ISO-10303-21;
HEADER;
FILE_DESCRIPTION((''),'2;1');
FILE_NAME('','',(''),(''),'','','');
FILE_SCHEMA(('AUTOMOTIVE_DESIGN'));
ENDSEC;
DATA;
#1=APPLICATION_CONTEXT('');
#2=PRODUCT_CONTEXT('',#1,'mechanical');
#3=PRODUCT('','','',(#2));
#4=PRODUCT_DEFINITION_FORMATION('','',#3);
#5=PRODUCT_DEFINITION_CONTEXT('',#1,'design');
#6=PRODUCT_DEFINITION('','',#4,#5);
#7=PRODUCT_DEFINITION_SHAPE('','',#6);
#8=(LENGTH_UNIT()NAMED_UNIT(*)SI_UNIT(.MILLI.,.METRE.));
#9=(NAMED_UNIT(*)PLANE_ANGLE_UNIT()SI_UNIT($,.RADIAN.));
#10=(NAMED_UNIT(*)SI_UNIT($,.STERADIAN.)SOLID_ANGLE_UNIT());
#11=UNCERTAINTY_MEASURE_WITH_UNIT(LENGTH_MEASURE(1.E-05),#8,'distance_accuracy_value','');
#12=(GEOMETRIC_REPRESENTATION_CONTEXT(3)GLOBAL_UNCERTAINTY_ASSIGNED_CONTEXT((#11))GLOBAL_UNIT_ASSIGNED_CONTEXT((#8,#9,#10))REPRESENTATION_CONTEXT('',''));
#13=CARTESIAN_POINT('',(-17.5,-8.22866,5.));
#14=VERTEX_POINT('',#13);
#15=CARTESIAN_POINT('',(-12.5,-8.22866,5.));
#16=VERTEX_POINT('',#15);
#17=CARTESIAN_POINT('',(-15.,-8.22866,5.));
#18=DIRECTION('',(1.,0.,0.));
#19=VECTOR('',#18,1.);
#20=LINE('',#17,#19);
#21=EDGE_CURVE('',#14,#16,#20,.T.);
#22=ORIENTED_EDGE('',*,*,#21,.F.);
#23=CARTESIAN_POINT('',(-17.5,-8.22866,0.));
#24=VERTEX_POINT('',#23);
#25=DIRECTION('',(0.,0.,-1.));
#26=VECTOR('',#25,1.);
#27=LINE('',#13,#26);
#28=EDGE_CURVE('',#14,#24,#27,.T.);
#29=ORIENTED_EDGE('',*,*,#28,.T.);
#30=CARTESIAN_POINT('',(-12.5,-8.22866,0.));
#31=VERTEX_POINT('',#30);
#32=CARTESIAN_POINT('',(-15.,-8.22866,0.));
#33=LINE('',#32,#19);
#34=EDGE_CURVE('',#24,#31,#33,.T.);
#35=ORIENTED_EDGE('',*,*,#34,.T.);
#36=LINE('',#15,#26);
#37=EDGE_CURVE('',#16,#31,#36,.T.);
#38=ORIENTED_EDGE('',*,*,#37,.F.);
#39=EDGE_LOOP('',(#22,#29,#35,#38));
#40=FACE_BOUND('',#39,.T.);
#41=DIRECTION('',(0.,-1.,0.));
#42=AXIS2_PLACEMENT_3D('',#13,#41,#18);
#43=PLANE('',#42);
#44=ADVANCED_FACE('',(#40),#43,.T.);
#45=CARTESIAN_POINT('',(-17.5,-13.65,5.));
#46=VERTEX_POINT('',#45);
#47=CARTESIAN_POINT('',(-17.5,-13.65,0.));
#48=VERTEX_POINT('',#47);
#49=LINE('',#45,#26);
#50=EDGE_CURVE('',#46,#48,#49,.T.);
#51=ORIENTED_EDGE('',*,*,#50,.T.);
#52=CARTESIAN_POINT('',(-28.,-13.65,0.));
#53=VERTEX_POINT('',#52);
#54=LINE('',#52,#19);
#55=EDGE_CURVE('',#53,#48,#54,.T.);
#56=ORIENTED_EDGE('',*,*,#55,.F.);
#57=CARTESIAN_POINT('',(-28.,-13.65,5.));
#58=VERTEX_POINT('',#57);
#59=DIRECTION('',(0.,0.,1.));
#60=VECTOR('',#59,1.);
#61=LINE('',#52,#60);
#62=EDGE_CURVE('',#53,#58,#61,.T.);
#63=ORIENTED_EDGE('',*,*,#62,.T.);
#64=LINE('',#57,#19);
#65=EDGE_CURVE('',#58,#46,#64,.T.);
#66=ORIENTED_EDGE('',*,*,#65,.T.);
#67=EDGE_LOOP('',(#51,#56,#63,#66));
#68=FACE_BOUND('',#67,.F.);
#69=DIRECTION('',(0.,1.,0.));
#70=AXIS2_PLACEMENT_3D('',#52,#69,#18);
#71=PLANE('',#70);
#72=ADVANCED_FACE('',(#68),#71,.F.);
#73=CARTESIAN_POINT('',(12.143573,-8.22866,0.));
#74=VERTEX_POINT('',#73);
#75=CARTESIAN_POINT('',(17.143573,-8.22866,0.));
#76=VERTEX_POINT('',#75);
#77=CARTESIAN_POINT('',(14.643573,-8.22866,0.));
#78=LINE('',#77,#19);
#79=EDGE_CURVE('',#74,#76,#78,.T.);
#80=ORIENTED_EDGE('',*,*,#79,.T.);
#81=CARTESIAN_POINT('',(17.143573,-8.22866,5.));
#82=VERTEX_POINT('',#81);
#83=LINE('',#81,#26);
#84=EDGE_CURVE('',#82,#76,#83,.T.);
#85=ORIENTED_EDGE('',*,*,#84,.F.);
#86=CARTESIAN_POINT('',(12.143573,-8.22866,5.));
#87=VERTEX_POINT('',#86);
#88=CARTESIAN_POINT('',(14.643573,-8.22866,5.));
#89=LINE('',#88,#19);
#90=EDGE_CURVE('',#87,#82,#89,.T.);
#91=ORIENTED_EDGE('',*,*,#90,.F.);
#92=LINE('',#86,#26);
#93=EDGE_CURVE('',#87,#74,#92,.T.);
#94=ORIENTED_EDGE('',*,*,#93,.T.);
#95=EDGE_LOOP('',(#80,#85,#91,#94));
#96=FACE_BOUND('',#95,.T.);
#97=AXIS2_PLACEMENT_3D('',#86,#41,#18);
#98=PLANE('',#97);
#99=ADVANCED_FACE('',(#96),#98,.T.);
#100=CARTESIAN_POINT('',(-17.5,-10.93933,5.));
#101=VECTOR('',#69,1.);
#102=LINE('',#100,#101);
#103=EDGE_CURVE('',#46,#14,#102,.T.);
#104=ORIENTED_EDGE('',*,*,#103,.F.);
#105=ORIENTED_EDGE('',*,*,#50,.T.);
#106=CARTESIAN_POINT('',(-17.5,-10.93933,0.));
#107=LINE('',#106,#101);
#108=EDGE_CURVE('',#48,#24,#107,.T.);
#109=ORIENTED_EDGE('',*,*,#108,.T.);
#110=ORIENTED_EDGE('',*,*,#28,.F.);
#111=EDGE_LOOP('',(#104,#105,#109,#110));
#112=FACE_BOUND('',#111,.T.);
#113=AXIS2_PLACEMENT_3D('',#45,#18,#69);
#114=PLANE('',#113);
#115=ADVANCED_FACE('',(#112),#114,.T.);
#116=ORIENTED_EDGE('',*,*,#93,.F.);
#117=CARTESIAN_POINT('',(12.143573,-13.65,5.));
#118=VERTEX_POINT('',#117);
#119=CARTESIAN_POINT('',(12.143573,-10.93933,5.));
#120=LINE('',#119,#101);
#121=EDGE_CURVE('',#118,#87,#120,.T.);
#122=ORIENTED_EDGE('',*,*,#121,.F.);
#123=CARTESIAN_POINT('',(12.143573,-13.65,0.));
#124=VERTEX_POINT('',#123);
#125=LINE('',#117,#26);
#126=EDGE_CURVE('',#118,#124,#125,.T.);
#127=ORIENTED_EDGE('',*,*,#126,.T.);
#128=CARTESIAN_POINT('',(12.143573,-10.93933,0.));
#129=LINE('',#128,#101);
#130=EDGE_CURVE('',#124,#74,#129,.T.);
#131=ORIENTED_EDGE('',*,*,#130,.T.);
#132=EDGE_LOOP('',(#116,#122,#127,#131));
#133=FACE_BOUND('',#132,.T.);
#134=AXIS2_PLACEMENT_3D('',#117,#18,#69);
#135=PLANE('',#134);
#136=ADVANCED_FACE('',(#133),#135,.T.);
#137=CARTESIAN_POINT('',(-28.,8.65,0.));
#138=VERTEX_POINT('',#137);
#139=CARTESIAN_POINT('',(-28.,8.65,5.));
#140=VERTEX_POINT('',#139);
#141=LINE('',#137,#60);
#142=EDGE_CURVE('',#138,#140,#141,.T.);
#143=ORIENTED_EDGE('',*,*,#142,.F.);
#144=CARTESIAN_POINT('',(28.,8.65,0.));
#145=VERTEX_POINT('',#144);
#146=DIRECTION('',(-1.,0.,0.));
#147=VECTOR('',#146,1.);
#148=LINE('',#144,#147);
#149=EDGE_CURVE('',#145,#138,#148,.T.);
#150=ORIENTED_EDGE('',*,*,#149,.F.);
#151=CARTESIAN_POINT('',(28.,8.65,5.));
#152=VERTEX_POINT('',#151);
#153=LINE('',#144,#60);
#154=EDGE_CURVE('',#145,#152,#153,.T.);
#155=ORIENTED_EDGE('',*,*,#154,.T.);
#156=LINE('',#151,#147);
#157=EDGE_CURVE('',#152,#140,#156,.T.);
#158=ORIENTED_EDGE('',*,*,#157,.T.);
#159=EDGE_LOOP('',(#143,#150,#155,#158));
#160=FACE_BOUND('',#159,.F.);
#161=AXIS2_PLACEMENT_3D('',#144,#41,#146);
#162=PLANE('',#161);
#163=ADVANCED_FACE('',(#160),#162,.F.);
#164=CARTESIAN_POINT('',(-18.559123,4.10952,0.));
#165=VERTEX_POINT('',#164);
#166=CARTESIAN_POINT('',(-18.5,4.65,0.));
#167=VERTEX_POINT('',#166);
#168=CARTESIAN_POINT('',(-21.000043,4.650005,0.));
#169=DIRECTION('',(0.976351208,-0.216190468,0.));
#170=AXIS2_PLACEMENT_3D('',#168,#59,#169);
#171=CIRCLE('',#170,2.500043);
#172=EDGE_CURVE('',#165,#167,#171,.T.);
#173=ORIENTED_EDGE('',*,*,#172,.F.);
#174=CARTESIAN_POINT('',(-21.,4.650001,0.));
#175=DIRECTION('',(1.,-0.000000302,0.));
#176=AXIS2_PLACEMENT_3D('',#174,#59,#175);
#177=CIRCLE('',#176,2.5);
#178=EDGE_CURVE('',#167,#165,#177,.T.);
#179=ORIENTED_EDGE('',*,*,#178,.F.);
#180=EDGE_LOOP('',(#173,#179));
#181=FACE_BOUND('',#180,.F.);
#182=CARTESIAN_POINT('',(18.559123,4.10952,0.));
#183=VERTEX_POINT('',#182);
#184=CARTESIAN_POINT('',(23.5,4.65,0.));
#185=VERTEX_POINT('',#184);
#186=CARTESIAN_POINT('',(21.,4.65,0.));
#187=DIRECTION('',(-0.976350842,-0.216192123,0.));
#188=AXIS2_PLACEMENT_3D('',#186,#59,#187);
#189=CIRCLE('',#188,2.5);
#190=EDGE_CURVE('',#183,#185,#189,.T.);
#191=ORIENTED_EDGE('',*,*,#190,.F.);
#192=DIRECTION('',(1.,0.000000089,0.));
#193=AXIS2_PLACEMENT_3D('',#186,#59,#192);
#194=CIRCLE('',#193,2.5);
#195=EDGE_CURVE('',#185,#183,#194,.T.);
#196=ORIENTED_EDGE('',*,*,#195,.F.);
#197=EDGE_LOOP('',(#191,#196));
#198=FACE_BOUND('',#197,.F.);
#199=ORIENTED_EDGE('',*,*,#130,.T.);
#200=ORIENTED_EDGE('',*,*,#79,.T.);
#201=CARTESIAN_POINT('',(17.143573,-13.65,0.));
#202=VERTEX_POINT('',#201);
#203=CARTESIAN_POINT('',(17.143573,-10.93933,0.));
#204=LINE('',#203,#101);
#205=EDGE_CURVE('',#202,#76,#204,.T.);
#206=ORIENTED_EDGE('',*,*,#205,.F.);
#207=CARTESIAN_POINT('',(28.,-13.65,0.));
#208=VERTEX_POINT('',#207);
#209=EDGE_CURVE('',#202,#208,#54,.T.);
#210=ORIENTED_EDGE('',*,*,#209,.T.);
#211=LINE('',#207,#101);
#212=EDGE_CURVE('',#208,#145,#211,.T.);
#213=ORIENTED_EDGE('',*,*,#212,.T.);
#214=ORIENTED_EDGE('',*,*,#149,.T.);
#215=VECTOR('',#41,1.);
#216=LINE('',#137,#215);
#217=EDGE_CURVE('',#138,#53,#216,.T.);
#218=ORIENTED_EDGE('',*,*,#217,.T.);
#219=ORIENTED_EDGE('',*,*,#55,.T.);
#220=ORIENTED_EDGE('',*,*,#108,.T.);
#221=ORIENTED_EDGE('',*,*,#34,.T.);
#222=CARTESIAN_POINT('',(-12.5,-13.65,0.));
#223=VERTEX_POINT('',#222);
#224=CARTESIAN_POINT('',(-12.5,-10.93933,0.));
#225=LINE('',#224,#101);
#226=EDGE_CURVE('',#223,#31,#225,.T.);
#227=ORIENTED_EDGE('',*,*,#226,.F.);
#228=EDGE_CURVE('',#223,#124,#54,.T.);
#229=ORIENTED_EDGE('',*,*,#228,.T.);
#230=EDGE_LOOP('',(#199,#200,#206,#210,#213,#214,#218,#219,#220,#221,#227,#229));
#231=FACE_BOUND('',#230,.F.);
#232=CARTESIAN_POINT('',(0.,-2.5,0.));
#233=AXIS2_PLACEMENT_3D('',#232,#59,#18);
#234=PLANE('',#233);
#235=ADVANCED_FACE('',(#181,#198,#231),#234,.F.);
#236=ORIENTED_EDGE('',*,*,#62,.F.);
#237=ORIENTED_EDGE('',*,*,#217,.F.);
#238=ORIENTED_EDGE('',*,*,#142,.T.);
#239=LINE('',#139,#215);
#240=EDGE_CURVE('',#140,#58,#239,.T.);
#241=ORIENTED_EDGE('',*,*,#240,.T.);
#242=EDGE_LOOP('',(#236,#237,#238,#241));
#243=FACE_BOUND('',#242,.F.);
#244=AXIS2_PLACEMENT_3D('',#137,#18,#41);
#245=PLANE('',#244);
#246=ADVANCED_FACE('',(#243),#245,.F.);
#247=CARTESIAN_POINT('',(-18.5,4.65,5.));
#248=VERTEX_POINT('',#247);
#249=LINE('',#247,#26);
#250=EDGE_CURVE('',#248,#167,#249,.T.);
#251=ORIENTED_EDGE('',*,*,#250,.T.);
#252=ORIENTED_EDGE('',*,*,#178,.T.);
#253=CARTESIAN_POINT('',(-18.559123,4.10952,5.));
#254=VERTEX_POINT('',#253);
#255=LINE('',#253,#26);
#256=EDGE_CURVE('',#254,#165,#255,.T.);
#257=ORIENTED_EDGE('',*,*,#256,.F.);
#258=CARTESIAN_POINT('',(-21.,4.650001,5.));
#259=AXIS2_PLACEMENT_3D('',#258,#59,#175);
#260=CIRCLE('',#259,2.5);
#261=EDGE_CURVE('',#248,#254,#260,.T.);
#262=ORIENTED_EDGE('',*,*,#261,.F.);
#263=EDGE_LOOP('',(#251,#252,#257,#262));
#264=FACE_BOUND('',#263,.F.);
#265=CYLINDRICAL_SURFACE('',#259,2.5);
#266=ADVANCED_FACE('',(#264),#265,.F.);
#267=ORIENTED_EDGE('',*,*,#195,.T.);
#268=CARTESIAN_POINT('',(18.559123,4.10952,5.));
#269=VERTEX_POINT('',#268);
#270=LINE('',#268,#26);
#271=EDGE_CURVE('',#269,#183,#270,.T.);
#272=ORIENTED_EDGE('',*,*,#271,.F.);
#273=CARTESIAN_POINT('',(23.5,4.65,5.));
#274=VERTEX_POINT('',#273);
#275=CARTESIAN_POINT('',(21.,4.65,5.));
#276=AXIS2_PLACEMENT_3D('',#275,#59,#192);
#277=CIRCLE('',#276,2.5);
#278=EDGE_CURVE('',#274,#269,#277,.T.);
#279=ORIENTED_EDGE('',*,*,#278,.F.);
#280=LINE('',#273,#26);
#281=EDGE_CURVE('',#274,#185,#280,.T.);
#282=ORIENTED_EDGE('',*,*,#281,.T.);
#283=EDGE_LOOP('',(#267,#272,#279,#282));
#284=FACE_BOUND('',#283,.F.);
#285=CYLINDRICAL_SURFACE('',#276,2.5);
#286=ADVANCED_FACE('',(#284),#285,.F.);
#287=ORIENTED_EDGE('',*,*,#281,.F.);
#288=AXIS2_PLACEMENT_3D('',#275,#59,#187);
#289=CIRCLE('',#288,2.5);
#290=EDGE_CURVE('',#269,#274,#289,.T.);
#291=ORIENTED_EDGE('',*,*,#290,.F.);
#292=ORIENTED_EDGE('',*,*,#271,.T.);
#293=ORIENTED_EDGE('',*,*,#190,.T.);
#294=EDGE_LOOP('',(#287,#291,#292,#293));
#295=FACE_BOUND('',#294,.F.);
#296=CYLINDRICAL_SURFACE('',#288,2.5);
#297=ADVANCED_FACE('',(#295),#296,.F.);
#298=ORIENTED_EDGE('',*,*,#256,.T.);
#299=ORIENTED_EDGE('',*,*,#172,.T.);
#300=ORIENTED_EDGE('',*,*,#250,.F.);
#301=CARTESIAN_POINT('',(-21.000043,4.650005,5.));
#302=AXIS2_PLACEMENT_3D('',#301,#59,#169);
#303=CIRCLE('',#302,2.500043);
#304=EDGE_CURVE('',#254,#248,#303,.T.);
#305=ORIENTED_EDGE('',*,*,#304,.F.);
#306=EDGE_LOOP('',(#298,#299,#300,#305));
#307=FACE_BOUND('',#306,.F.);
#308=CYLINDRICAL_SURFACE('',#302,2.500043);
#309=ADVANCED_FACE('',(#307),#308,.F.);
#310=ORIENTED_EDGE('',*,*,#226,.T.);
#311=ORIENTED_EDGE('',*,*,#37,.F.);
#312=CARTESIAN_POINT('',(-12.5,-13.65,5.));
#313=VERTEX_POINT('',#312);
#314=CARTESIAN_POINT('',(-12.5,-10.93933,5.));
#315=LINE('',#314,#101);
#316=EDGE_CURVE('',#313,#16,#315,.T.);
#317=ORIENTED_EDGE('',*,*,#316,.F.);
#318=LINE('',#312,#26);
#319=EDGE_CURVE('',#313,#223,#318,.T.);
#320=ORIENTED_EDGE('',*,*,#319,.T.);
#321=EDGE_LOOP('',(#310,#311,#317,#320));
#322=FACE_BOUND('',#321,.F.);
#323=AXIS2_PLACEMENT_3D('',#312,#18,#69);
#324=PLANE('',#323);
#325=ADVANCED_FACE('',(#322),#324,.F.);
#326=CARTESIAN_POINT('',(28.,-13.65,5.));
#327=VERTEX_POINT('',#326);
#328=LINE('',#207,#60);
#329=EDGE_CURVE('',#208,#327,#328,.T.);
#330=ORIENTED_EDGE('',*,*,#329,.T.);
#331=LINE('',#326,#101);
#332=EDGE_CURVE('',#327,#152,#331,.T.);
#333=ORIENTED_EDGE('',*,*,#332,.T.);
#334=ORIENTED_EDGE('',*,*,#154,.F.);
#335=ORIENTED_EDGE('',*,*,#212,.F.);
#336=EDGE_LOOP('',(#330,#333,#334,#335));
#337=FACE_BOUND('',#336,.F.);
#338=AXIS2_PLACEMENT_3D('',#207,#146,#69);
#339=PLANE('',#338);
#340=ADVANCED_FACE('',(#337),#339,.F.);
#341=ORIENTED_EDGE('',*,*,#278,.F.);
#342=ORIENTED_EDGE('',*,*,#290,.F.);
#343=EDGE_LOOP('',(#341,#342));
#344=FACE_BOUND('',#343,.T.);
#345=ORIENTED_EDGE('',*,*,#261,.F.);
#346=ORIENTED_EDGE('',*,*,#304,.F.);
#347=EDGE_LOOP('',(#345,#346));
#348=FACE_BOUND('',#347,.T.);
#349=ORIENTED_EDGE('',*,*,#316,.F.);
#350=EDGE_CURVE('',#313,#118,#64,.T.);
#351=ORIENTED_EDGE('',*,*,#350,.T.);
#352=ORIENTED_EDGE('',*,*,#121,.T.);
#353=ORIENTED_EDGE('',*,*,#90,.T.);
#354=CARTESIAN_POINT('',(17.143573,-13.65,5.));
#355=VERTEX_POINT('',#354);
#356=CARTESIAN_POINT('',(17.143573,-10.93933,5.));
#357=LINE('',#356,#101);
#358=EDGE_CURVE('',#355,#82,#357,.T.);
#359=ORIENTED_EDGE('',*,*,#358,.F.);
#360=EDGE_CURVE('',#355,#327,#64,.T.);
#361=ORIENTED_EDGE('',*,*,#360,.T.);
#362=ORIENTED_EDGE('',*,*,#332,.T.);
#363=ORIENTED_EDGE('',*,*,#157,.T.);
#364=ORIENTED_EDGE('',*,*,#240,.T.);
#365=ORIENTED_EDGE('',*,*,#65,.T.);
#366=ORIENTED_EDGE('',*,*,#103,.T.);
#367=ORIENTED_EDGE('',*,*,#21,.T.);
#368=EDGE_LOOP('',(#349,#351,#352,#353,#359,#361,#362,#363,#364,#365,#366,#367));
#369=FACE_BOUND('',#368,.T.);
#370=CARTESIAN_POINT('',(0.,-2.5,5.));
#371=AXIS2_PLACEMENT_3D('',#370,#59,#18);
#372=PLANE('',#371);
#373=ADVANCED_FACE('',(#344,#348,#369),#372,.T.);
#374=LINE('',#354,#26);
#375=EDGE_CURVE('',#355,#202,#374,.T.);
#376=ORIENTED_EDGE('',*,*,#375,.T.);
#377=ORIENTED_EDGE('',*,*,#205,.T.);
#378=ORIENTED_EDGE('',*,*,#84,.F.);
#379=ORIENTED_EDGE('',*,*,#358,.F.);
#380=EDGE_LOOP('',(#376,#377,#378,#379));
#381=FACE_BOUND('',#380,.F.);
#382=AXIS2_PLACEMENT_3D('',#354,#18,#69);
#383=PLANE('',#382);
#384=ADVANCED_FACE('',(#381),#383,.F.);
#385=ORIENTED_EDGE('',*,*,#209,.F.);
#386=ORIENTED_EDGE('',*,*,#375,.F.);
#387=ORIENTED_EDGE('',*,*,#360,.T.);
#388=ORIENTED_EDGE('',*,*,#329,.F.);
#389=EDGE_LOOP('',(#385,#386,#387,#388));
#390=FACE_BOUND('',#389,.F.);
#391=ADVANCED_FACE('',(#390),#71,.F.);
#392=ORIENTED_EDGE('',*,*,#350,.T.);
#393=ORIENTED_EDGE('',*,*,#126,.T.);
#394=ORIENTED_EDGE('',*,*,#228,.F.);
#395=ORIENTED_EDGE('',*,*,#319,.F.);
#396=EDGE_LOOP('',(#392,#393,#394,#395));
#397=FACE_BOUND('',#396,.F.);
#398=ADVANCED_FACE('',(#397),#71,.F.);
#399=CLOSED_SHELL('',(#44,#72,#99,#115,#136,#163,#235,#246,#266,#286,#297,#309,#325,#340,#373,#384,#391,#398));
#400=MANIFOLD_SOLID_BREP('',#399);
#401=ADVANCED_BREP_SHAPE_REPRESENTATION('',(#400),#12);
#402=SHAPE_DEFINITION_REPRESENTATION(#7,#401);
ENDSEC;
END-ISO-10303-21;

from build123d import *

# Parameters (mm, degrees)
F1_DEPTH = 5
F3_DEPTH = 5
F4_W     = 5
F4_H     = 5.42134
F5_DEPTH = 5


with BuildPart() as f1:
    # F0 (on Top) → F1 (new body)
    with BuildSketch(Plane.XY):
        Polygon((28, -8.65), (28, 8.65), (-28, 8.65), (-28, -8.65), (-28, -13.65), (28, -13.65), align=None)
    extrude(amount=F1_DEPTH)

    # F2 (on face) → F3 (cut)
    with BuildSketch(Plane.XY.offset(5)):
        with BuildLine():
            ThreePointArc((-18.559123, 4.10952), (-18.514825, 4.378148), (-18.5, 4.65))
            ThreePointArc((-18.5, 4.65), (-23.485175, 4.921852), (-18.559123, 4.10952))
        make_face()
        with BuildLine():
            ThreePointArc((23.5, 4.65), (20.728148, 7.135175), (18.559123, 4.10952))
            ThreePointArc((18.559123, 4.10952), (21.271852, 2.164825), (23.5, 4.65))
        make_face()
    extrude(amount=-F3_DEPTH, mode=Mode.SUBTRACT)

    # F4 (on face) → F5 (cut)
    with BuildSketch(Plane.XY.offset(5)):
        with Locations((-15, -10.93933)):
            Rectangle(F4_W, F4_H)
        with Locations((14.643573, -10.93933)):
            Rectangle(F4_W, F4_H)
    extrude(amount=-F5_DEPTH, mode=Mode.SUBTRACT)


solid = f1.part
